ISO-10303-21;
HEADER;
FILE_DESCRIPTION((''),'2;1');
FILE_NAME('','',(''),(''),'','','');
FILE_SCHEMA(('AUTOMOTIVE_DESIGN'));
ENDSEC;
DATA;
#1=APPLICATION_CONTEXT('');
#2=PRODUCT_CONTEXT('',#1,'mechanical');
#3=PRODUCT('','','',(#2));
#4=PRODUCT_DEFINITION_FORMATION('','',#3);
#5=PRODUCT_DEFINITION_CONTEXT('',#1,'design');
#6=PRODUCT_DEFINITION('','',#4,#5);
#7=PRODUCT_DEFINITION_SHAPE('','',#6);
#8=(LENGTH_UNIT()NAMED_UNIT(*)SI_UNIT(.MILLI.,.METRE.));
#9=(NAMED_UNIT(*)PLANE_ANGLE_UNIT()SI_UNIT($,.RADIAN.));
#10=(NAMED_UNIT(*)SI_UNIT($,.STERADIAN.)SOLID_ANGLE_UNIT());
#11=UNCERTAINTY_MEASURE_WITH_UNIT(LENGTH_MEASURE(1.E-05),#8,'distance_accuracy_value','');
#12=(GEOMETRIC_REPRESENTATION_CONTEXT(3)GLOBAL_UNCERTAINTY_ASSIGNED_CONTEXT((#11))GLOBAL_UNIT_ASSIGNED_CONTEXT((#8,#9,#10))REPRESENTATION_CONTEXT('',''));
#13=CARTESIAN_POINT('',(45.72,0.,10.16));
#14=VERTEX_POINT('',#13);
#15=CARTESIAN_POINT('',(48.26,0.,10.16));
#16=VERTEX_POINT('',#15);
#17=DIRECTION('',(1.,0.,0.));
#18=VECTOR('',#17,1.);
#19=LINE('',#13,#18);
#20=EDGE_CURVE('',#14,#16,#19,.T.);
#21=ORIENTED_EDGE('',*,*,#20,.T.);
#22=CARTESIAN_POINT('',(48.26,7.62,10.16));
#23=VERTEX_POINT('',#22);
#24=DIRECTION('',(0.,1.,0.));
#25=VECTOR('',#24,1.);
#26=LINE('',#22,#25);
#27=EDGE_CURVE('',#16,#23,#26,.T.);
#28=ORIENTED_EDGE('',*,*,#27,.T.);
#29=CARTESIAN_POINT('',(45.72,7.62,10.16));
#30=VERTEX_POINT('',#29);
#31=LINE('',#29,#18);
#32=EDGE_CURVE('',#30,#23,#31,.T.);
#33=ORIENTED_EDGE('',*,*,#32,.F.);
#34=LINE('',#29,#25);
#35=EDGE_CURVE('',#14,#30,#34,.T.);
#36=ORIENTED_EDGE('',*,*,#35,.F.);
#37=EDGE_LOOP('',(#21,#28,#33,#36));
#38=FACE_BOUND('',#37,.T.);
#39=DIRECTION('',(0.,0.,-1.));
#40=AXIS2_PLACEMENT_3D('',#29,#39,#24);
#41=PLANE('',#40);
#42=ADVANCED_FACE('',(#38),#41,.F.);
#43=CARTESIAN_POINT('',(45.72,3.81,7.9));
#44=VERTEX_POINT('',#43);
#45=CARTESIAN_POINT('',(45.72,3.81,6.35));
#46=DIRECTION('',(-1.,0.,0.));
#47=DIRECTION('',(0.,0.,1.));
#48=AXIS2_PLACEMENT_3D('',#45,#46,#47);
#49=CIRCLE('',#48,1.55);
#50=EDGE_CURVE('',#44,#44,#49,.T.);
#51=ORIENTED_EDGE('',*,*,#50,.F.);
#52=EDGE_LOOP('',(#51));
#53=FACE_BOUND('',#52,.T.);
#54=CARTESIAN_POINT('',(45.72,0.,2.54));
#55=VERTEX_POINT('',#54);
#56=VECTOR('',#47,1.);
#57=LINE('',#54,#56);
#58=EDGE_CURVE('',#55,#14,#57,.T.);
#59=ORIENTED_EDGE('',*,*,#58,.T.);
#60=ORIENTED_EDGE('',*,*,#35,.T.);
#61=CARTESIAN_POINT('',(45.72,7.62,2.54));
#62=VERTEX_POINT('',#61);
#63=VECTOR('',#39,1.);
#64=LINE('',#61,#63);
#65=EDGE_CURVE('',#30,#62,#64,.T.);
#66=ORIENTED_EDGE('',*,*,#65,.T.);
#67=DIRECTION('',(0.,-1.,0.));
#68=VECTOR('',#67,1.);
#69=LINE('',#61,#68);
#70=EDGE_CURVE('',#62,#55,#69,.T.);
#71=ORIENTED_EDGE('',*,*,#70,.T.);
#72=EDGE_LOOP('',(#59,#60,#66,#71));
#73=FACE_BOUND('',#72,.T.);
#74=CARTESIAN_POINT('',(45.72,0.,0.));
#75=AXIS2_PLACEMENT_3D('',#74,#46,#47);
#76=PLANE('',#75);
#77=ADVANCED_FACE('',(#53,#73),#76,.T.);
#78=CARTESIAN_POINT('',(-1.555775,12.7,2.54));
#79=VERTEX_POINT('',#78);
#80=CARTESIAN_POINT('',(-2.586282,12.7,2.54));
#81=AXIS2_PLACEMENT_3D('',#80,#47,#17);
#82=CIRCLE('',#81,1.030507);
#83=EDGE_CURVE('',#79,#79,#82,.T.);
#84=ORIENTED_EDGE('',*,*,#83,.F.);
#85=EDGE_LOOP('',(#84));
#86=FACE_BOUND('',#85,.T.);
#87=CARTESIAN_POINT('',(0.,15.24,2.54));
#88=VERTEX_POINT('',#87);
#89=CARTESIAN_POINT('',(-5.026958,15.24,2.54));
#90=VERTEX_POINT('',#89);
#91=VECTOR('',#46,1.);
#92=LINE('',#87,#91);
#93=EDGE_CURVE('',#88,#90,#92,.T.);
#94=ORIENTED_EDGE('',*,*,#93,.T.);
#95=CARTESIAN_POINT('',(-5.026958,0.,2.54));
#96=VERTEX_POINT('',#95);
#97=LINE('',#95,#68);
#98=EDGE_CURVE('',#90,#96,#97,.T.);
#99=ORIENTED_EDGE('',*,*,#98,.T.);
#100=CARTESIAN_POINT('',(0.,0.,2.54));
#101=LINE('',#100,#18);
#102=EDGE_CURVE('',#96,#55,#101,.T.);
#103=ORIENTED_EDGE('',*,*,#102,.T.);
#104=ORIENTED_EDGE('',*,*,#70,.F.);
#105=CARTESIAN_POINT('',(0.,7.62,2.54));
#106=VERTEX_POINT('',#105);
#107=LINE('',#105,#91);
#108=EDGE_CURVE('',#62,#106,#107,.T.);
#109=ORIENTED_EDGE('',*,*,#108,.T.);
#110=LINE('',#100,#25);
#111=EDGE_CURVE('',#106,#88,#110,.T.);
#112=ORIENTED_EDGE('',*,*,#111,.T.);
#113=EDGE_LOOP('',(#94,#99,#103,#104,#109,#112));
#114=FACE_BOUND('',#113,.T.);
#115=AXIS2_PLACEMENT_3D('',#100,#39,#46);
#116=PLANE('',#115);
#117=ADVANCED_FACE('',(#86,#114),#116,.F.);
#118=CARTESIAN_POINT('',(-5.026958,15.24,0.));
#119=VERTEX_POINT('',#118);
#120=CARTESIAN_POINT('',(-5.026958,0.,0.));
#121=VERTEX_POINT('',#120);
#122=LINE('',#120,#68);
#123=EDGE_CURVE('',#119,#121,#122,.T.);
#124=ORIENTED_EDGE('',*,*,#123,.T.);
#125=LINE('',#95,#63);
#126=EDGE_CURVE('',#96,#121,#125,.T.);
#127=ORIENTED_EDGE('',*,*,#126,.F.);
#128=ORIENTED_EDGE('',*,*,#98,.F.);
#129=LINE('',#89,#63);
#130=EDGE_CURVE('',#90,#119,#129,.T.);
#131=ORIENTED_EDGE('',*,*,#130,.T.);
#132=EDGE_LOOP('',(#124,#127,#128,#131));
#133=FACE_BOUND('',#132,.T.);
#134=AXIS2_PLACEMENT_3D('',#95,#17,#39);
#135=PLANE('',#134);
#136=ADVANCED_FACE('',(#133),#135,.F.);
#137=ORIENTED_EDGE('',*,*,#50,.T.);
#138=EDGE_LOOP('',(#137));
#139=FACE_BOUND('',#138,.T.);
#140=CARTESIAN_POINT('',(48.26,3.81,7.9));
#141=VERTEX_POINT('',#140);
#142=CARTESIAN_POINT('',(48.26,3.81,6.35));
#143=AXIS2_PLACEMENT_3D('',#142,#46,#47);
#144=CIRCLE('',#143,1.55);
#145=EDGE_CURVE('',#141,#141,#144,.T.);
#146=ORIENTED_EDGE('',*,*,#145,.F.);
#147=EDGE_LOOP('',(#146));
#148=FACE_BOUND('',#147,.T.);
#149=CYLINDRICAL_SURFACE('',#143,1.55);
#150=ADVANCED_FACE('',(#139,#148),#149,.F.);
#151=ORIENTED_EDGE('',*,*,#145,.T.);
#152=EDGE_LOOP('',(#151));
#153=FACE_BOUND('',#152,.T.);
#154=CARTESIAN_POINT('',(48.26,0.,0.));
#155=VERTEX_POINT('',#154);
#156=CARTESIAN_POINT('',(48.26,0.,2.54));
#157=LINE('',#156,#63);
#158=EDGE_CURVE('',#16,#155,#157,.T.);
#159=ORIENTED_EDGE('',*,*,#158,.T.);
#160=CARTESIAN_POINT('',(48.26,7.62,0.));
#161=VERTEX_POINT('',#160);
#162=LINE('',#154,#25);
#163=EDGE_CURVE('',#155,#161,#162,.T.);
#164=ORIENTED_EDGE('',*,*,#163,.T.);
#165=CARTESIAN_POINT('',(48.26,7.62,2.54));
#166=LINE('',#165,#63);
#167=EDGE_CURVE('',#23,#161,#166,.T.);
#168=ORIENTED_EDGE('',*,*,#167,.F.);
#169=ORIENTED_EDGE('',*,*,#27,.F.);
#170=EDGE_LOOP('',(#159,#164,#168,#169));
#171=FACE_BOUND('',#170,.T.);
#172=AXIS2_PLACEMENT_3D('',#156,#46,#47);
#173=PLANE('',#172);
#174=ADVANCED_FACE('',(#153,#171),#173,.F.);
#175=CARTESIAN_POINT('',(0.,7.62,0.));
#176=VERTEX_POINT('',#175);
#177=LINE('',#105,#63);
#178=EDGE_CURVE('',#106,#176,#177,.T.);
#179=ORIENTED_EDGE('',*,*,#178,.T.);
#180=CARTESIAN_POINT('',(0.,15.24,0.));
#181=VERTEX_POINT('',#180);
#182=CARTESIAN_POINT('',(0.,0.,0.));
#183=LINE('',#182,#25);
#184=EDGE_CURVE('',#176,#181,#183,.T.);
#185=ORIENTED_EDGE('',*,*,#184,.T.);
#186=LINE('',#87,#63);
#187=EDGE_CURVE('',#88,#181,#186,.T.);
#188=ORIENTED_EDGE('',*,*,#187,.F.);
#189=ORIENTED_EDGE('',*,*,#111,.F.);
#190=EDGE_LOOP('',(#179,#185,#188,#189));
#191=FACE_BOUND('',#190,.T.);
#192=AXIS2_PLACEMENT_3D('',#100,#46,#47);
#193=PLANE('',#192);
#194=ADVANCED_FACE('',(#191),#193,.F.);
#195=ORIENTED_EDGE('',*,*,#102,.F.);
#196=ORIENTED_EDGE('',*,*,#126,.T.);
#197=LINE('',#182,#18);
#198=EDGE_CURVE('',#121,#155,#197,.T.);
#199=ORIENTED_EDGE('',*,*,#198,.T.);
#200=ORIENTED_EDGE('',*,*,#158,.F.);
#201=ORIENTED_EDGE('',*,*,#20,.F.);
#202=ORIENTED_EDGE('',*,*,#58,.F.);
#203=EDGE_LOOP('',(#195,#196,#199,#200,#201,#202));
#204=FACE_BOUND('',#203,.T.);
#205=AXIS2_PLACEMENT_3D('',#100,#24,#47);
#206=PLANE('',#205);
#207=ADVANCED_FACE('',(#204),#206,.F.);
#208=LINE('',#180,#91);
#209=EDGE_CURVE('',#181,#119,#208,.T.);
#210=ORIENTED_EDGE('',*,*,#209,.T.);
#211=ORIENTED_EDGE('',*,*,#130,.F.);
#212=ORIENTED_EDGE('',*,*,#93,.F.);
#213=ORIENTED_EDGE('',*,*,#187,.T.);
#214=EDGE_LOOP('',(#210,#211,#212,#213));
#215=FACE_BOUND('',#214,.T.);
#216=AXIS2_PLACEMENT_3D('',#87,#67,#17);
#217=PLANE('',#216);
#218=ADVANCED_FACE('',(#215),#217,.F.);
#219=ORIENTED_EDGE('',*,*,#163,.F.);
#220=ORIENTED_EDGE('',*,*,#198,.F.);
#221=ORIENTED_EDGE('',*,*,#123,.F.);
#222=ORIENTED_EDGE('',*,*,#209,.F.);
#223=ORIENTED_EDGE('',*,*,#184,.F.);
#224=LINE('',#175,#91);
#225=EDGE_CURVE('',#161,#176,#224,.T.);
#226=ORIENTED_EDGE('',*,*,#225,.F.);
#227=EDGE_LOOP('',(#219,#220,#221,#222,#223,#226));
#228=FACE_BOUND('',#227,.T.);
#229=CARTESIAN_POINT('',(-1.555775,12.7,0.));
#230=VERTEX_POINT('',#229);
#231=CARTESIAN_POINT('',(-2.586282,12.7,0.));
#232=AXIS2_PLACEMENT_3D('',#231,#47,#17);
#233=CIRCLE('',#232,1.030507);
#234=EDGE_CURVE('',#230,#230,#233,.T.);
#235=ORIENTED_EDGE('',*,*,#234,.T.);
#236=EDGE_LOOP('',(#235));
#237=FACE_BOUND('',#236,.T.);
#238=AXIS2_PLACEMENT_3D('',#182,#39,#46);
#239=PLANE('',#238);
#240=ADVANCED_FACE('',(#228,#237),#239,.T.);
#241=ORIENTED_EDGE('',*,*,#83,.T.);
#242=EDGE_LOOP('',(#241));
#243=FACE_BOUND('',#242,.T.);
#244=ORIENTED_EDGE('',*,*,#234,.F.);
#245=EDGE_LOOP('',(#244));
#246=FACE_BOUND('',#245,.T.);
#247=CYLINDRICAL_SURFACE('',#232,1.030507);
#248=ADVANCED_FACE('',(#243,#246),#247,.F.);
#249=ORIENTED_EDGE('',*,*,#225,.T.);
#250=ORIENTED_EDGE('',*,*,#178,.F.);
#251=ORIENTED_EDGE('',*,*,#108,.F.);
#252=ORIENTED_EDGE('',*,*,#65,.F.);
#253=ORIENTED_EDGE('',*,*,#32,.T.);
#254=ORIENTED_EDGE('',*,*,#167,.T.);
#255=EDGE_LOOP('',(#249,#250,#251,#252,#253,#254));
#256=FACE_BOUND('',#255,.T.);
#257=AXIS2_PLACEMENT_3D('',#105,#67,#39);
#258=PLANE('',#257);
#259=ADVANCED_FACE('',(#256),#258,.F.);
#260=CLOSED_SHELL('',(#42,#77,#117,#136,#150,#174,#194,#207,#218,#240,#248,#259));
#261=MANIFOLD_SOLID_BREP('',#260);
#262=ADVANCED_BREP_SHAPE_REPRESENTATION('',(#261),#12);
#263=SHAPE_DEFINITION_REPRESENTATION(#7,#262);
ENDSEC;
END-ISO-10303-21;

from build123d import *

# Parameters (mm, degrees)
SKETCH2_W           = 48.26
SKETCH2_H           = 7.62
BOSS_EXTRUDE1_DEPTH = 2.54
SKETCH3_W           = 5.026957718
SKETCH3_H           = 15.24
BOSS_EXTRUDE2_DEPTH = 2.54
SKETCH4_R           = 1.030507416
CUT_EXTRUDE1_DEPTH  = 2.54
SKETCH5_W           = 7.62
SKETCH5_H           = 7.62
BOSS_EXTRUDE3_DEPTH = 2.54
SKETCH6_R           = 1.55
CUT_EXTRUDE2_DEPTH  = 2.54


with BuildPart() as part:
    # Sketch2 → Boss-Extrude1 (new body)
    with BuildSketch(Plane.XY):
        with Locations((24.13, 3.81)):
            Rectangle(SKETCH2_W, SKETCH2_H)
    extrude(amount=BOSS_EXTRUDE1_DEPTH)

    # Sketch3 → Boss-Extrude2 (add)
    with BuildSketch(Plane.XY):
        with Locations((-2.513478859, 7.62)):
            Rectangle(SKETCH3_W, SKETCH3_H)
    extrude(amount=BOSS_EXTRUDE2_DEPTH)

    # Sketch4 → Cut-Extrude1 (cut)
    with BuildSketch(Plane.XY.offset(2.54)):
        with Locations((-2.586282317, 12.7)):
            Circle(SKETCH4_R)
    extrude(amount=-CUT_EXTRUDE1_DEPTH, mode=Mode.SUBTRACT)

    # Sketch5 → Boss-Extrude3 (add)
    with BuildSketch(Plane.ZY.offset(-48.26)):
        with Locations((6.35, 3.81)):
            Rectangle(SKETCH5_W, SKETCH5_H)
    extrude(amount=BOSS_EXTRUDE3_DEPTH)

    # Sketch6 → Cut-Extrude2 (cut)
    with BuildSketch(Plane.ZY.offset(-45.72)):
        with Locations((6.35, 3.81)):
            Circle(SKETCH6_R)
    extrude(amount=-CUT_EXTRUDE2_DEPTH, mode=Mode.SUBTRACT)


solid = part.part
